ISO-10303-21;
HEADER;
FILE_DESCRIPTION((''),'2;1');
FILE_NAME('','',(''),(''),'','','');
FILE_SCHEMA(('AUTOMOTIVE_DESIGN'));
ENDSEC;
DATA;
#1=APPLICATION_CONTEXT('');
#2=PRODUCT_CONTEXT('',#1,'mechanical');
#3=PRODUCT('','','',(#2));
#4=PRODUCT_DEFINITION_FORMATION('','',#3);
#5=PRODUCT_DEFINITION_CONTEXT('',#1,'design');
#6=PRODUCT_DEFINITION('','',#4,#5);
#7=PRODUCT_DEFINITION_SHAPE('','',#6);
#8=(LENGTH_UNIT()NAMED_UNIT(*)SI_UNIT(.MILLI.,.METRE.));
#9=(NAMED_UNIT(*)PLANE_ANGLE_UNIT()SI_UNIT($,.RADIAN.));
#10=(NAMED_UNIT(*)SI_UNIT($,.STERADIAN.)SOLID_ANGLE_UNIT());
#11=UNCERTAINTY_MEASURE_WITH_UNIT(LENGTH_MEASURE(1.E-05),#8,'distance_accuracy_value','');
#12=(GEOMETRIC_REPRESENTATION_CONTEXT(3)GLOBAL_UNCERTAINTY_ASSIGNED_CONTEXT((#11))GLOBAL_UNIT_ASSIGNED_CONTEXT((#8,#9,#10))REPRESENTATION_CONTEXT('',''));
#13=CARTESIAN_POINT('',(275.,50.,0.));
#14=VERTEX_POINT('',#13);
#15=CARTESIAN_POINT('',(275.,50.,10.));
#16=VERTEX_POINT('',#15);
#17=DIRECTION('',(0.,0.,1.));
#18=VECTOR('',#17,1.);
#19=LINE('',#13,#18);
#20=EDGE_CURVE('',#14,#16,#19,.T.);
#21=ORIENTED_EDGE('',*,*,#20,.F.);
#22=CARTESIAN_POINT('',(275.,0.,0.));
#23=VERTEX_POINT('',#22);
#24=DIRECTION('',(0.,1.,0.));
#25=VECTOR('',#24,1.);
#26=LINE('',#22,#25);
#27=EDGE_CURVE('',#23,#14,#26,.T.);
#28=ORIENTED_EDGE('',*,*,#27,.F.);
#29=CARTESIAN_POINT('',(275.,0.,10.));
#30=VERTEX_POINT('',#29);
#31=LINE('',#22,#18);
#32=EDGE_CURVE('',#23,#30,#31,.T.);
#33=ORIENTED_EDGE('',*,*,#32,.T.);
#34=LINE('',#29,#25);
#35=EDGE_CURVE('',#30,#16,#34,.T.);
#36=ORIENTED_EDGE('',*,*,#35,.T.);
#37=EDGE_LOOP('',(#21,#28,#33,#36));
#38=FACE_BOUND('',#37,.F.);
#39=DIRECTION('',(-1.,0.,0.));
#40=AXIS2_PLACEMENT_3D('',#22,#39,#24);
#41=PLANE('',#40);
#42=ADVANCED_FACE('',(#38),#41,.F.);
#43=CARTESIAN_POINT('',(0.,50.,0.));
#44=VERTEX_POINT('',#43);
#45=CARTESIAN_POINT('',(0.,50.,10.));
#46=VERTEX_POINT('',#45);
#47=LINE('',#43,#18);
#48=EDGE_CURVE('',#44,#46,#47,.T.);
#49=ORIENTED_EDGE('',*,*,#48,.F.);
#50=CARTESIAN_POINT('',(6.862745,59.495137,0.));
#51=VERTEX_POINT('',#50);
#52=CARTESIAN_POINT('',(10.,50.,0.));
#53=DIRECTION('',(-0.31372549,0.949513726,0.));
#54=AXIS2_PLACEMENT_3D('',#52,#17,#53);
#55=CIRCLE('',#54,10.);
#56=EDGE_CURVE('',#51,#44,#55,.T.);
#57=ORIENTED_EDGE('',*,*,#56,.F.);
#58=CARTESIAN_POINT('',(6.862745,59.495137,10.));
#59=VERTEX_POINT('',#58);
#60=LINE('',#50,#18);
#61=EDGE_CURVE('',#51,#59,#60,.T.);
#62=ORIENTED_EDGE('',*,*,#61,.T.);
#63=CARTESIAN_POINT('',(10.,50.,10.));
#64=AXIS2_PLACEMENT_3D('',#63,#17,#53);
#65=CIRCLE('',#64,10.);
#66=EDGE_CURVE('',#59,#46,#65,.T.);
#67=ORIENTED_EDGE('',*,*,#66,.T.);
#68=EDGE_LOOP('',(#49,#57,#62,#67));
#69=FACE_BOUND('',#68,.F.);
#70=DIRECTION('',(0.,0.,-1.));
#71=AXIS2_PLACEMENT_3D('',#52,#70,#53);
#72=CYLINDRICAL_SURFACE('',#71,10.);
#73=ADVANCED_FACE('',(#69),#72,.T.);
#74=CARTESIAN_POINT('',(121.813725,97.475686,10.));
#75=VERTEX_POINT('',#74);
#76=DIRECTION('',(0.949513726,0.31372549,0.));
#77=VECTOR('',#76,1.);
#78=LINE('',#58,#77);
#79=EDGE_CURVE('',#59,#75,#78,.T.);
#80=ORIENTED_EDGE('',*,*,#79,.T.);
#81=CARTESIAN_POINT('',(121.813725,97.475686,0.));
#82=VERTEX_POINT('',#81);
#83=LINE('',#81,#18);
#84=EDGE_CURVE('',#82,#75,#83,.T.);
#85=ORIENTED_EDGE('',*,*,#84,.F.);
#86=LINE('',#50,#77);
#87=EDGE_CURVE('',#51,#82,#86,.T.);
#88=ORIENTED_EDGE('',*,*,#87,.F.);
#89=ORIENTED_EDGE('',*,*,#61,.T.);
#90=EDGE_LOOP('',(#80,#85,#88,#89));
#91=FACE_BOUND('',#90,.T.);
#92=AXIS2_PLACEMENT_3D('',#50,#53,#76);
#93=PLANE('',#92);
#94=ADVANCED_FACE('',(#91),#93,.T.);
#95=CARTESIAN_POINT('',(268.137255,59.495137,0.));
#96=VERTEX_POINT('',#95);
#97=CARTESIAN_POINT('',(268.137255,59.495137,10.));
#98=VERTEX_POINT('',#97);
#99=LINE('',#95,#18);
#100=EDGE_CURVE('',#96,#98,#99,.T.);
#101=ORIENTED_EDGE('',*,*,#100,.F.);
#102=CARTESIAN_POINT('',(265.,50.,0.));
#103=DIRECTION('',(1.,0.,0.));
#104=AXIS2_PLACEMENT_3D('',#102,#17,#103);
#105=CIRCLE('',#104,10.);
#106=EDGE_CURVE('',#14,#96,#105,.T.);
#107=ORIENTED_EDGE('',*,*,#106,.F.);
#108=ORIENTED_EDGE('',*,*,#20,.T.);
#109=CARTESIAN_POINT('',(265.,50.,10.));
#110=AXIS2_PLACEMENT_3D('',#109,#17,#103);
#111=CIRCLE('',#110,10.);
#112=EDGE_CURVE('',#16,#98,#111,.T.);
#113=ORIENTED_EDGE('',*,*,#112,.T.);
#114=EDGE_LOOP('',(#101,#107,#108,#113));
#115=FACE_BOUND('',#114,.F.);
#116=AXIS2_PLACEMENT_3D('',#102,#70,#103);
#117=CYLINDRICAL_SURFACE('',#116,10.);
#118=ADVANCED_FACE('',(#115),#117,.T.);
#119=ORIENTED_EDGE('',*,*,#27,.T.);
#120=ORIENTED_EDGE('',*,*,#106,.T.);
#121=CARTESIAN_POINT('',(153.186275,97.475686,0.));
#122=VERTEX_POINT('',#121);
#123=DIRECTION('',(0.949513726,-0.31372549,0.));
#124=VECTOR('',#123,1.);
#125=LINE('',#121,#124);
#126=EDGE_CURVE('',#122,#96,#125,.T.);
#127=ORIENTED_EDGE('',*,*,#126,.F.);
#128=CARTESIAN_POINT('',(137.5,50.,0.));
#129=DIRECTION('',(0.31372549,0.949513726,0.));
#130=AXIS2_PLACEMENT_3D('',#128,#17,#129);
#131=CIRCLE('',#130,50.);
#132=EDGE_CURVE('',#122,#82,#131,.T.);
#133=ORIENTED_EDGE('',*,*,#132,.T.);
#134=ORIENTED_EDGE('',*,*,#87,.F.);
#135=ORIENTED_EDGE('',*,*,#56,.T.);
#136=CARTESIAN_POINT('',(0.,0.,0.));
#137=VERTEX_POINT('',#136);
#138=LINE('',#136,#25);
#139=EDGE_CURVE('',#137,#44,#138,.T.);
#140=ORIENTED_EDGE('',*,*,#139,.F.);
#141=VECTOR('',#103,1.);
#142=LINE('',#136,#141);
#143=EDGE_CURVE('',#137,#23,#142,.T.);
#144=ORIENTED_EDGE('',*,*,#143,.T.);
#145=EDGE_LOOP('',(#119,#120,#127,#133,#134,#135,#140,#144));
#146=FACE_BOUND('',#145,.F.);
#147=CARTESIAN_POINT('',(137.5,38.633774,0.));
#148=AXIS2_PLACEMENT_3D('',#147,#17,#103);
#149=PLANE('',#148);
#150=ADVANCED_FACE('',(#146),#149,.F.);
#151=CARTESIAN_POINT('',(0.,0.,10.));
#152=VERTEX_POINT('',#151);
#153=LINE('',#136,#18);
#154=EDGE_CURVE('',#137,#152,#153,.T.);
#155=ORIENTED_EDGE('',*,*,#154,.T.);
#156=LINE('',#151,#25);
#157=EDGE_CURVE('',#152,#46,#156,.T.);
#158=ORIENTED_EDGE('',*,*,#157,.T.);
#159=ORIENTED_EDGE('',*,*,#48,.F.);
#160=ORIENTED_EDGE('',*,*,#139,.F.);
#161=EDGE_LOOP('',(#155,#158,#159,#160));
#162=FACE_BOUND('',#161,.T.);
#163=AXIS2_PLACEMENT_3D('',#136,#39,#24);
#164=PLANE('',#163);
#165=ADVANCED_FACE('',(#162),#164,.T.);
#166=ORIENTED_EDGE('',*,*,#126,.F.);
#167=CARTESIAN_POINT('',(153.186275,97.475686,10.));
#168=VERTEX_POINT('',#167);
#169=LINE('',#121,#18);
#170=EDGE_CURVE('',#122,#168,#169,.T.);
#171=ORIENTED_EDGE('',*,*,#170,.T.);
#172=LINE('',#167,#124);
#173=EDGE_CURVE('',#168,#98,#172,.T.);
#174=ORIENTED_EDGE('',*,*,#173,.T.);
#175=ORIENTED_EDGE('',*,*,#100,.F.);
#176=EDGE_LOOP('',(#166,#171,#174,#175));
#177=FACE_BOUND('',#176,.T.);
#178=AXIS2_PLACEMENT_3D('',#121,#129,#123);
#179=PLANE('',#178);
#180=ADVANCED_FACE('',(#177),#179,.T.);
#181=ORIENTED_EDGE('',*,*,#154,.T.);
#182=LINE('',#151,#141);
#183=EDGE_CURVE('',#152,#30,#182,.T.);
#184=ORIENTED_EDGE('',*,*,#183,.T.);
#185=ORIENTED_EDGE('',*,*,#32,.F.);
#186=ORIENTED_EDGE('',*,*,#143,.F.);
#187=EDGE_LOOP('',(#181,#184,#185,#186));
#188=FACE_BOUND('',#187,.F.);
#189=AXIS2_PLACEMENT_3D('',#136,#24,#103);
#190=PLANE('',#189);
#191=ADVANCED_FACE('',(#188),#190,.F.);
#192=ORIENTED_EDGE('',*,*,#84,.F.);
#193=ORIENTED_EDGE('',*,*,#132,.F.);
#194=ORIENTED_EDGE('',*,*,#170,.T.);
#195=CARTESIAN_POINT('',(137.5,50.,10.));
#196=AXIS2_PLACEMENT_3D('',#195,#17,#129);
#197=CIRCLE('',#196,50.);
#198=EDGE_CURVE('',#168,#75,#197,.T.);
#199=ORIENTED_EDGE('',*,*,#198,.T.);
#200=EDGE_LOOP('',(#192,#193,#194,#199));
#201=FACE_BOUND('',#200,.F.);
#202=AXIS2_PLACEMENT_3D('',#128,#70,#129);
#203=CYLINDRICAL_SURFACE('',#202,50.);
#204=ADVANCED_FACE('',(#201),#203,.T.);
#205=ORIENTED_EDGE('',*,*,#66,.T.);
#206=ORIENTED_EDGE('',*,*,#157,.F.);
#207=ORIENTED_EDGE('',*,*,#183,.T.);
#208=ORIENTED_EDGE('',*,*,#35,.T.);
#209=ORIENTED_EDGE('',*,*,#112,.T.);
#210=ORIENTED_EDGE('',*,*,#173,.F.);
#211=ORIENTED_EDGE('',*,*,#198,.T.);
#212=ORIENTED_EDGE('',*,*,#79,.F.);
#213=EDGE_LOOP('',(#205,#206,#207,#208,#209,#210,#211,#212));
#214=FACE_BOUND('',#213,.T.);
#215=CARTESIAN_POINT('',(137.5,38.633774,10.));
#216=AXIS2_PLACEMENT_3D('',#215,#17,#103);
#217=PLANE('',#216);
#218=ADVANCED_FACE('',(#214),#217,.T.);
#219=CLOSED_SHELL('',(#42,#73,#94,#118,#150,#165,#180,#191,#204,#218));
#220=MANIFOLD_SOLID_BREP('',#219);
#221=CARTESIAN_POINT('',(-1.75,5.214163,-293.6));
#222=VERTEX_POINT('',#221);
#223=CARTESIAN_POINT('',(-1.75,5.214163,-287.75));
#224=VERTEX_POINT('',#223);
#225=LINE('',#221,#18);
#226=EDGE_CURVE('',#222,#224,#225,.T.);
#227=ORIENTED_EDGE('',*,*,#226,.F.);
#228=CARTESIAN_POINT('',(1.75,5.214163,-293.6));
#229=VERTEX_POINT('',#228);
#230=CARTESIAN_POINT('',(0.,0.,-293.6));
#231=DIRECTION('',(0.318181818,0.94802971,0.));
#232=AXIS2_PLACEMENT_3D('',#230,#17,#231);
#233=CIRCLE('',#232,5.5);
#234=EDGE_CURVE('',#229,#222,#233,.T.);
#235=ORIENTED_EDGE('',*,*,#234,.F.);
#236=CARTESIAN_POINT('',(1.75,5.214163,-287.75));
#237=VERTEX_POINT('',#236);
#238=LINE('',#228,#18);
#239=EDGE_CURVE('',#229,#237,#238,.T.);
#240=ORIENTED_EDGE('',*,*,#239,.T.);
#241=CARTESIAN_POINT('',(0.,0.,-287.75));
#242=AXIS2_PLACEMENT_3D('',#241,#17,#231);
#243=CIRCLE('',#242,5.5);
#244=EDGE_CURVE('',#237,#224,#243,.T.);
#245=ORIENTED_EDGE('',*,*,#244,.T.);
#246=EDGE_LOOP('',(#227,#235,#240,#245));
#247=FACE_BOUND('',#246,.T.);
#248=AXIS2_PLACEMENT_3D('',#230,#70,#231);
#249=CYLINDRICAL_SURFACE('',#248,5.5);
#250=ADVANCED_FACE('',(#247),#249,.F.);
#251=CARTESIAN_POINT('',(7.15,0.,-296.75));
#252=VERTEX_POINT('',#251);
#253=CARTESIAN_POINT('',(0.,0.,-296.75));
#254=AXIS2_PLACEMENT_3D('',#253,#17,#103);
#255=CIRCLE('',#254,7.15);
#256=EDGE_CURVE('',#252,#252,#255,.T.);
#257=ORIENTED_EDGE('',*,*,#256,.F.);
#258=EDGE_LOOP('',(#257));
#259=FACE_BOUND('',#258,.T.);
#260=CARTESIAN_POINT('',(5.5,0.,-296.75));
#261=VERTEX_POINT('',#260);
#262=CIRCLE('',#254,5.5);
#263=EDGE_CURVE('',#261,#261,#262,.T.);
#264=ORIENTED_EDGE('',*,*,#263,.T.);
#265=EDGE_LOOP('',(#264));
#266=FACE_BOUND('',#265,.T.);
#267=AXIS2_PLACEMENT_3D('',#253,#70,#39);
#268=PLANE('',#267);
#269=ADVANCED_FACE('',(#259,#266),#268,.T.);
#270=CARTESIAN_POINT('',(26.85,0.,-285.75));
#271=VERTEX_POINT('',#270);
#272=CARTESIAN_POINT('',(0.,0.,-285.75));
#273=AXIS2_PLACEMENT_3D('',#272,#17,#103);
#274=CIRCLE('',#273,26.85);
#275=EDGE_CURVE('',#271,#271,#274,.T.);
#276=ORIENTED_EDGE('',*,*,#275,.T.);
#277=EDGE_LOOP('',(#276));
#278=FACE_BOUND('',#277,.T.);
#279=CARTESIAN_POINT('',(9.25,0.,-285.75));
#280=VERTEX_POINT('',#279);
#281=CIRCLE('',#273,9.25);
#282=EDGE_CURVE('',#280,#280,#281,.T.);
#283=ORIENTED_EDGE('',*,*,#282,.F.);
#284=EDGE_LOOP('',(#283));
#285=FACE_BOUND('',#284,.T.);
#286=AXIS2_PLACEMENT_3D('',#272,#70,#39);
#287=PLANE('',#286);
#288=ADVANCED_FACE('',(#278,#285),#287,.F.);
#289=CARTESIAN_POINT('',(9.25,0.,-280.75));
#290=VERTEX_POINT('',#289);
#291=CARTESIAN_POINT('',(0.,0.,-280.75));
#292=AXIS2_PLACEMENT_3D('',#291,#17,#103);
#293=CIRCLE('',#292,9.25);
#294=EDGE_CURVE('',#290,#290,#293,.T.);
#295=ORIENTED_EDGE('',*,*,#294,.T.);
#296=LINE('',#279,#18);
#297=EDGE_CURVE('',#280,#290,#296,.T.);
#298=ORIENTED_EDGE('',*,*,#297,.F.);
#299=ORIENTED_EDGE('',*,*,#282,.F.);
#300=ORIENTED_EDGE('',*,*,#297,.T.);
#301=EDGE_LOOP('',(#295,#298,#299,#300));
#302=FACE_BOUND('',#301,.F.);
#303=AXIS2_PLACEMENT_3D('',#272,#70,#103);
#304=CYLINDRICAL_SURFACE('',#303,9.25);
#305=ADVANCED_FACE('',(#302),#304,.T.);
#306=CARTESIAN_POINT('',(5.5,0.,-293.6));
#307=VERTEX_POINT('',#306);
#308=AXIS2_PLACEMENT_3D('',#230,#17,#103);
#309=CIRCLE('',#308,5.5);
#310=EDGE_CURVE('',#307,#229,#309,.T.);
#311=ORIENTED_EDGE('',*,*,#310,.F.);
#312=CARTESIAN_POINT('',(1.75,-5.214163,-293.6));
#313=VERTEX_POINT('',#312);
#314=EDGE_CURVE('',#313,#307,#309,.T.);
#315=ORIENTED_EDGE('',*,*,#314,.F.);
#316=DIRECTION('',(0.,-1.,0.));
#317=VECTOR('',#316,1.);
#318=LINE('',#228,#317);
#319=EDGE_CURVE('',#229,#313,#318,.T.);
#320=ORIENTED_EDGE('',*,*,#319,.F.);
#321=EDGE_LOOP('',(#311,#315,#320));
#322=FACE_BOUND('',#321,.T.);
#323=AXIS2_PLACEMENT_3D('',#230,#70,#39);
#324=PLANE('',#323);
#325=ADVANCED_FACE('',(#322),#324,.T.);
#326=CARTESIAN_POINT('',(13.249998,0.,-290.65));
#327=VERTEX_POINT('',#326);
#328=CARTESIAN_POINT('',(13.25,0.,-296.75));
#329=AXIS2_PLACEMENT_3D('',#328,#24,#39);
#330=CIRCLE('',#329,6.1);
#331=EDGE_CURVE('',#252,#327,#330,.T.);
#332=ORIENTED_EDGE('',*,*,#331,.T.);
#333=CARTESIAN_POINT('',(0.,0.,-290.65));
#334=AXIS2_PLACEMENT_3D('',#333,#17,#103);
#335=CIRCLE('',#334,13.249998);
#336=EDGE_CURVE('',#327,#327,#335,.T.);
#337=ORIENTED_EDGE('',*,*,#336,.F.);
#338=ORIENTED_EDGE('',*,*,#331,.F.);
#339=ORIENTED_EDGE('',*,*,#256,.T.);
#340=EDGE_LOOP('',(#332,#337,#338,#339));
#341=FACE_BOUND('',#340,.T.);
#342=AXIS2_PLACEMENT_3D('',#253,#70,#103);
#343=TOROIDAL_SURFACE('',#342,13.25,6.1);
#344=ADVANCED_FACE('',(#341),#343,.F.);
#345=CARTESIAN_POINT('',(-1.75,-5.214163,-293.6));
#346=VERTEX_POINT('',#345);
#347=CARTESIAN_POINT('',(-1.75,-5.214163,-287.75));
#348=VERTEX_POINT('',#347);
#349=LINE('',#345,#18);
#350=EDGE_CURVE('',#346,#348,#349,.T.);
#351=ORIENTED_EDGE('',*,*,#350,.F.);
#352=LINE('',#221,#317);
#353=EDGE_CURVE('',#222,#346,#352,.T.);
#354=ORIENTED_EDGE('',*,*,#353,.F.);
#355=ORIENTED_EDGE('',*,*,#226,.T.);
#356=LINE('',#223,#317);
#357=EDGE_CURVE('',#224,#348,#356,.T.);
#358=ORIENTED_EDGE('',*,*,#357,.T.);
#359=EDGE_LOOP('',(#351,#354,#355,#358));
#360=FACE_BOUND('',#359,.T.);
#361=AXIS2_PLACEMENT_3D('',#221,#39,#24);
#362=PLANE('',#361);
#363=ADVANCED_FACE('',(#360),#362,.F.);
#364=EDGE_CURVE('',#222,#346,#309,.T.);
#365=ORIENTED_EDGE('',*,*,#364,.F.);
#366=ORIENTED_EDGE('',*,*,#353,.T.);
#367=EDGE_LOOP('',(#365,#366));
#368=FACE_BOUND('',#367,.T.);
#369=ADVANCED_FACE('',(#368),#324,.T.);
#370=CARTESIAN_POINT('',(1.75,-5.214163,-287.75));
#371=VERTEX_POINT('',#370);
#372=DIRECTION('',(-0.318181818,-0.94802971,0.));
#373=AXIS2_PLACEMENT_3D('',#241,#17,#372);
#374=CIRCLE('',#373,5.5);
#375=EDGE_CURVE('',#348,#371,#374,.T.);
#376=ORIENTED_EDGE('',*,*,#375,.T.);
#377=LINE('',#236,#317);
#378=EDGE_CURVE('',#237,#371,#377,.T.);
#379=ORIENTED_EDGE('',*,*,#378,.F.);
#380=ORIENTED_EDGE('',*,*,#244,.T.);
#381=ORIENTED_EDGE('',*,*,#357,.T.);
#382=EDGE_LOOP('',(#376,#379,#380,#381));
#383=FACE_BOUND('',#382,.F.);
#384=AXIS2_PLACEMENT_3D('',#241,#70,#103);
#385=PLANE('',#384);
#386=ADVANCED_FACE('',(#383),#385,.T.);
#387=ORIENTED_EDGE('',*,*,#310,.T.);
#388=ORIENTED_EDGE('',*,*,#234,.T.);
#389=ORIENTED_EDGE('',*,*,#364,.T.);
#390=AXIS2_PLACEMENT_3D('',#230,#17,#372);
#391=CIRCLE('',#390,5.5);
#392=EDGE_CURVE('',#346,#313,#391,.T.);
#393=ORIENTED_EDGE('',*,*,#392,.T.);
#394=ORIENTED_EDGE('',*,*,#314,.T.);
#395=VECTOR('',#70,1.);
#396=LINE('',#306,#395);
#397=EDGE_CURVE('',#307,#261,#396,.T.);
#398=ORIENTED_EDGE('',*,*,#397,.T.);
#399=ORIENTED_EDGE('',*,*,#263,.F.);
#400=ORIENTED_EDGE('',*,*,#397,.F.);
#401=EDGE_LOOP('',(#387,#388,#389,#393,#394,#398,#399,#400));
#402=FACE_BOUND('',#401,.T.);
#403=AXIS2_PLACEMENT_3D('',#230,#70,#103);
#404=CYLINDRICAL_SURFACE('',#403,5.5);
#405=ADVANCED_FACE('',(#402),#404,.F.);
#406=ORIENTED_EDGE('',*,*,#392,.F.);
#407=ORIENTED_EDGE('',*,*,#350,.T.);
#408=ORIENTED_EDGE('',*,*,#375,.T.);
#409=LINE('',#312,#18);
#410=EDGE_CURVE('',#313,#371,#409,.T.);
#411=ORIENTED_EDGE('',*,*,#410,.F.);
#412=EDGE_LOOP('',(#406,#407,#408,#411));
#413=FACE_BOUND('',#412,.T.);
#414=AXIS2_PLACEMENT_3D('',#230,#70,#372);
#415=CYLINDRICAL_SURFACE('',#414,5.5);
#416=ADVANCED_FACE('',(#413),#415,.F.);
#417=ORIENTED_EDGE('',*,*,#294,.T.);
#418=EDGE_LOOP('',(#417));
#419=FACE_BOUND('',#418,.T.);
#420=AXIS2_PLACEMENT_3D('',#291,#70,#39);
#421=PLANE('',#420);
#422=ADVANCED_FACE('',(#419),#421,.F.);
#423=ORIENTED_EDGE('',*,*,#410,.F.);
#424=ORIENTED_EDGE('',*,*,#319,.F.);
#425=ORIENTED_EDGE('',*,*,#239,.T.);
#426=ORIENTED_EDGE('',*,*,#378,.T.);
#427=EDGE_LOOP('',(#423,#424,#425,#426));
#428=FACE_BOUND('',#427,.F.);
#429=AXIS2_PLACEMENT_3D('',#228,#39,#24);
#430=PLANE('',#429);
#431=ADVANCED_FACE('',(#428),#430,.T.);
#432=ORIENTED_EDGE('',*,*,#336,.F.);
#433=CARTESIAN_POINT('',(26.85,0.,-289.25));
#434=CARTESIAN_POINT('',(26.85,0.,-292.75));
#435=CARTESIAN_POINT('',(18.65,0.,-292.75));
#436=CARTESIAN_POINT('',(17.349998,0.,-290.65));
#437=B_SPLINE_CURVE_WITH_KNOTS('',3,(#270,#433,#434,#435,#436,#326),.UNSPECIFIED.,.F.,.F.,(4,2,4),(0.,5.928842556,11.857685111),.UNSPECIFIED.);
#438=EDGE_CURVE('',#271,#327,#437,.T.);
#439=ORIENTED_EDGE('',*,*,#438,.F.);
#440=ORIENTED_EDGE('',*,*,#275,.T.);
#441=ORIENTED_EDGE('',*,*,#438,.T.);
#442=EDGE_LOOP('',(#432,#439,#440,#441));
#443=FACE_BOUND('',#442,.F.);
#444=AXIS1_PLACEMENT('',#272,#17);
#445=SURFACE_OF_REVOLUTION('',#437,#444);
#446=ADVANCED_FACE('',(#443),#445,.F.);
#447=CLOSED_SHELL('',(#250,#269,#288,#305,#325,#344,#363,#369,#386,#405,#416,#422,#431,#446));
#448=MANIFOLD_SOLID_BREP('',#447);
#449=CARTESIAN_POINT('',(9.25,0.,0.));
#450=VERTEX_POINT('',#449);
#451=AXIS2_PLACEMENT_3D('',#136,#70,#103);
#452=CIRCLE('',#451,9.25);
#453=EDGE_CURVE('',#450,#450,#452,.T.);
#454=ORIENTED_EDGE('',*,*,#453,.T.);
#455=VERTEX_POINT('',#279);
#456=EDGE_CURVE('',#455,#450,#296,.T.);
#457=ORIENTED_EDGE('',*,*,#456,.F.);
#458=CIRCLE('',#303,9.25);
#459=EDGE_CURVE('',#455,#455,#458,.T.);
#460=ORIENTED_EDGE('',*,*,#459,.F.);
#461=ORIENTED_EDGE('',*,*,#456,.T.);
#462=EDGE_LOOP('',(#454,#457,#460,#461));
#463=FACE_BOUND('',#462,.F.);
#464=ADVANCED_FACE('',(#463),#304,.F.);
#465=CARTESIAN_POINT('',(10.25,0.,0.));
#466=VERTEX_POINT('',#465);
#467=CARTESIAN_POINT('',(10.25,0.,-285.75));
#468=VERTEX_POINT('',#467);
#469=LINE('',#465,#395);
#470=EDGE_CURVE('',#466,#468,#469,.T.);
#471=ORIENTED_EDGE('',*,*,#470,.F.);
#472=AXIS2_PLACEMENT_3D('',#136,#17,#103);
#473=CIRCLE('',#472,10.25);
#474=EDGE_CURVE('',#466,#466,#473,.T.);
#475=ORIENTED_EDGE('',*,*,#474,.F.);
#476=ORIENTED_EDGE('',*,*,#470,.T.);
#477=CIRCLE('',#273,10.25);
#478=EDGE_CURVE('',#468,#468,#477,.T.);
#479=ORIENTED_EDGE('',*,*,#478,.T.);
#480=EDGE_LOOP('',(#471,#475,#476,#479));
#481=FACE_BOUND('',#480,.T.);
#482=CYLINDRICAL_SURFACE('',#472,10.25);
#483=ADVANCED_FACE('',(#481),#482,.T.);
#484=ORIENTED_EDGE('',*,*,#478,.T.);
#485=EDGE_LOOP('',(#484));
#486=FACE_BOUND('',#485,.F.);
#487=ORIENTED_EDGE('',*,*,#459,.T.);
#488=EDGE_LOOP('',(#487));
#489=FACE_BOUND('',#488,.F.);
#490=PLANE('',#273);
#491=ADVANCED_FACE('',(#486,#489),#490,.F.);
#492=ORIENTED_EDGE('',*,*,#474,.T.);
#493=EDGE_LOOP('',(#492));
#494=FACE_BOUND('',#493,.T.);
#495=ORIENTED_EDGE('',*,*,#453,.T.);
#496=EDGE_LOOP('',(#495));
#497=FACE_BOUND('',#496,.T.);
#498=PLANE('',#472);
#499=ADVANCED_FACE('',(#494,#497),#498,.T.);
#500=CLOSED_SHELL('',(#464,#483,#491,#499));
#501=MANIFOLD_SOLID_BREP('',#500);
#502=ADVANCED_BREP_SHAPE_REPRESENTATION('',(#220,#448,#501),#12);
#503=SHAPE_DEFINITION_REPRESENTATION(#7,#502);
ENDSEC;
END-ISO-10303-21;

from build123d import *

# Parameters (mm, degrees)
SKETCH003_R  = 10.25
PAD001_DEPTH = 285.75
SKETCH004_R  = 9.25
HOLE_DEPTH   = 285.751
POCKET_DEPTH = 5.85
SKETCH002_R  = 9.25
PAD_DEPTH    = 5
PAD002_DEPTH = 10


with BuildPart() as spool:
    # Sketch003 → Pad001 (new body)
    with BuildSketch(Plane.XY):
        Circle(SKETCH003_R)
    extrude(amount=-PAD001_DEPTH)

    # Sketch004 (on Face3 of Pad001) → Hole (cut, through all)
    with BuildSketch(Plane(origin=(0, 0, -285.75), x_dir=(1, 0, 0), z_dir=(0, 0, -1))):
        Circle(SKETCH004_R)
    extrude(amount=-HOLE_DEPTH, mode=Mode.SUBTRACT)


with BuildPart() as endcap:
    # Sketch → Revolution (revolve)
    with BuildSketch(Plane.XZ):
        with BuildLine():
            Line((0, 0), (0, 7.85))
            Line((0, 7.85), (5.5, 7.85))
            Line((5.5, 7.85), (5.5, 11))
            Line((5.5, 11), (7.15, 11))
            ThreePointArc((7.15, 11), (8.93664793, 6.6866493396), (13.2499980066, 4.9))
            add(Edge.make_bspline(
                [(13.2499980066, 4.9), (17.3499980066, 4.9), (18.65, 7), (22.75, 7)],
                knots=[0, 0, 0, 0, 9.7293370792, 9.7293370792, 9.7293370792, 9.7293370792], degree=3))
            add(Edge.make_bspline(
                [(26.85, 0), (26.85, 3.5), (26.85, 7), (22.75, 7)],
                knots=[0, 0, 0, 0, 5.9288425557, 5.9288425557, 5.9288425557, 5.9288425557], degree=3))
            Line((26.85, 0), (0, 0))
        make_face()
    revolve(axis=Axis((0, 0, 0), (0, 0, 1)))

    # Sketch001 (on Face1 of Revolution) → Pocket (cut)
    with BuildSketch(Plane(origin=(0, 0, 7.85), x_dir=(-1, 0, 0), z_dir=(0, 0, 1))):
        with BuildLine():
            Line((1.75, -5.2141634037), (1.75, 5.2141634037))
            ThreePointArc((1.75, 5.2141634037), (0, 5.5), (-1.75, 5.2141634037))
            Line((-1.75, -5.2141634037), (-1.75, 5.2141634037))
            ThreePointArc((-1.75, -5.2141634037), (0, -5.5), (1.75, -5.2141634037))
        make_face()
    extrude(amount=-POCKET_DEPTH, mode=Mode.SUBTRACT)

    # Sketch002 → Pad (join)
    with BuildSketch(Plane.XY):
        Circle(SKETCH002_R)
    extrude(amount=-PAD_DEPTH)


with BuildPart() as part_mirroring:
    # Part__Mirroring: instance of EndCap
    add(endcap.part.mirror(Plane(origin=(0, 0, -142.875), x_dir=(0, 1, 0), z_dir=(0, 0, 1))))


with BuildPart() as motormount:
    # Sketch005 → Pad002 (new body)
    with BuildSketch(Plane.XY):
        with BuildLine():
            Line((0, 0), (275, 0))
            Line((275, 0), (275, 50))
            ThreePointArc((275, 50), (273.1047069355, 55.8577918613), (268.137254902, 59.4951372649))
            Line((153.1862745098, 97.4756863247), (268.137254902, 59.4951372649))
            ThreePointArc((153.1862745098, 97.4756863247), (137.5, 100), (121.8137254902, 97.4756863247))
            Line((6.862745098, 59.4951372649), (121.8137254902, 97.4756863247))
            ThreePointArc((6.862745098, 59.4951372649), (1.8952930645, 55.8577918613), (0, 50))
            Line((0, 0), (0, 50))
        make_face()
    extrude(amount=PAD002_DEPTH)


solid = Compound([spool.part, part_mirroring.part, motormount.part])
